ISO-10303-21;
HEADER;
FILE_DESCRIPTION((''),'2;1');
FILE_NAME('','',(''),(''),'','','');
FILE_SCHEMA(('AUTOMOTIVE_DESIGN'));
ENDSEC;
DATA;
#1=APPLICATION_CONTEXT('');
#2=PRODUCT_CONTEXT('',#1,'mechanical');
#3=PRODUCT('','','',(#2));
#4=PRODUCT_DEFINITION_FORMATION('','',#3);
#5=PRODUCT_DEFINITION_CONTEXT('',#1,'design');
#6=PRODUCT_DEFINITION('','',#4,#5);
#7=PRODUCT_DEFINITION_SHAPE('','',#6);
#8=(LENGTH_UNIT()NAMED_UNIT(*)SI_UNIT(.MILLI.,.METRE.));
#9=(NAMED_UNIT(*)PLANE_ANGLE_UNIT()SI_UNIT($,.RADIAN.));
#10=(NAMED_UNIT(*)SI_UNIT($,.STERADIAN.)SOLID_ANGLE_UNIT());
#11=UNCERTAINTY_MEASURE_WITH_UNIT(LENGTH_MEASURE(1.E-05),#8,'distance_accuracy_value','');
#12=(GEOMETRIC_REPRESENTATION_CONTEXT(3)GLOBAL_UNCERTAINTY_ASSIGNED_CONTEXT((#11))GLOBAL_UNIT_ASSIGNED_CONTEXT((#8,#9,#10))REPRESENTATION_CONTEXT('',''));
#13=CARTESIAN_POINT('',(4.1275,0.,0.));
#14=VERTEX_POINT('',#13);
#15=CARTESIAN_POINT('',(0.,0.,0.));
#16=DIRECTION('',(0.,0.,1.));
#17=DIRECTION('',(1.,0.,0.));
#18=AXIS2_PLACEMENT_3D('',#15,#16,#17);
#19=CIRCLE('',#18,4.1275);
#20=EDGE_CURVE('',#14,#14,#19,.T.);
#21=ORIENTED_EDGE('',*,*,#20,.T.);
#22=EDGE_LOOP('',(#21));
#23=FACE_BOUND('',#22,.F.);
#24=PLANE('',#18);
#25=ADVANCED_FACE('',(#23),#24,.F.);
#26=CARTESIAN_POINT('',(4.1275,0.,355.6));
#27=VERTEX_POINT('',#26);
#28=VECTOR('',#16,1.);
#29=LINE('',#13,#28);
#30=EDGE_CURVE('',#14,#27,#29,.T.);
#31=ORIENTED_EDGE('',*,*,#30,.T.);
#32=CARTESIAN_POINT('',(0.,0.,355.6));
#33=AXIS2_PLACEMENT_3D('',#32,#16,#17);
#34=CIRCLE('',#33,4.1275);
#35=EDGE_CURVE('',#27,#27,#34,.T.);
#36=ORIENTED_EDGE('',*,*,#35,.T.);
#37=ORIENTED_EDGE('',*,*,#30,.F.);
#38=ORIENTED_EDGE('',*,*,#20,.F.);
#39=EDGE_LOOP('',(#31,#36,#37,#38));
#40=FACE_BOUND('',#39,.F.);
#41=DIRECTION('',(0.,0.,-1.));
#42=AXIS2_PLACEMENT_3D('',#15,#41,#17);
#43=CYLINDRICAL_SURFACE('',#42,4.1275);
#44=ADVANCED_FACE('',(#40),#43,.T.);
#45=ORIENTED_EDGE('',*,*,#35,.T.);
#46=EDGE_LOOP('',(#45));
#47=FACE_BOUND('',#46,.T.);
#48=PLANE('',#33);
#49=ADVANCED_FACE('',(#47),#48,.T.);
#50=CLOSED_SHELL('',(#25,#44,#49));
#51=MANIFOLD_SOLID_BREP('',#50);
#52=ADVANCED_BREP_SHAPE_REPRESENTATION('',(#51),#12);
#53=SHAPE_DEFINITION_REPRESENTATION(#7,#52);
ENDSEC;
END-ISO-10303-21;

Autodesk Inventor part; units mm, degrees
ref_plane "YZ Plane" through (0, 0, 0) normal (1, 0, 0) x (0, 1, 0)
ref_plane "XZ Plane" through (0, 0, 0) normal (0, 1, 0) x (-1, 0, 0)
ref_plane "XY Plane" through (0, 0, 0) normal (0, 0, 1) x (1, 0, 0)
sketch "Sketch1" plane through (0, 0, 0) normal (0, 0, 1) x (1, 0, 0)
  circle A0 centre (0, 0) radius 4.1275
  dimension "d0" = 8.255
  dimension "d0" = 8.255
extrude "Extrusion1" add sketch "Sketch1" along normal blind 355.6
properties part number "1in Actuator Piston 1764"
